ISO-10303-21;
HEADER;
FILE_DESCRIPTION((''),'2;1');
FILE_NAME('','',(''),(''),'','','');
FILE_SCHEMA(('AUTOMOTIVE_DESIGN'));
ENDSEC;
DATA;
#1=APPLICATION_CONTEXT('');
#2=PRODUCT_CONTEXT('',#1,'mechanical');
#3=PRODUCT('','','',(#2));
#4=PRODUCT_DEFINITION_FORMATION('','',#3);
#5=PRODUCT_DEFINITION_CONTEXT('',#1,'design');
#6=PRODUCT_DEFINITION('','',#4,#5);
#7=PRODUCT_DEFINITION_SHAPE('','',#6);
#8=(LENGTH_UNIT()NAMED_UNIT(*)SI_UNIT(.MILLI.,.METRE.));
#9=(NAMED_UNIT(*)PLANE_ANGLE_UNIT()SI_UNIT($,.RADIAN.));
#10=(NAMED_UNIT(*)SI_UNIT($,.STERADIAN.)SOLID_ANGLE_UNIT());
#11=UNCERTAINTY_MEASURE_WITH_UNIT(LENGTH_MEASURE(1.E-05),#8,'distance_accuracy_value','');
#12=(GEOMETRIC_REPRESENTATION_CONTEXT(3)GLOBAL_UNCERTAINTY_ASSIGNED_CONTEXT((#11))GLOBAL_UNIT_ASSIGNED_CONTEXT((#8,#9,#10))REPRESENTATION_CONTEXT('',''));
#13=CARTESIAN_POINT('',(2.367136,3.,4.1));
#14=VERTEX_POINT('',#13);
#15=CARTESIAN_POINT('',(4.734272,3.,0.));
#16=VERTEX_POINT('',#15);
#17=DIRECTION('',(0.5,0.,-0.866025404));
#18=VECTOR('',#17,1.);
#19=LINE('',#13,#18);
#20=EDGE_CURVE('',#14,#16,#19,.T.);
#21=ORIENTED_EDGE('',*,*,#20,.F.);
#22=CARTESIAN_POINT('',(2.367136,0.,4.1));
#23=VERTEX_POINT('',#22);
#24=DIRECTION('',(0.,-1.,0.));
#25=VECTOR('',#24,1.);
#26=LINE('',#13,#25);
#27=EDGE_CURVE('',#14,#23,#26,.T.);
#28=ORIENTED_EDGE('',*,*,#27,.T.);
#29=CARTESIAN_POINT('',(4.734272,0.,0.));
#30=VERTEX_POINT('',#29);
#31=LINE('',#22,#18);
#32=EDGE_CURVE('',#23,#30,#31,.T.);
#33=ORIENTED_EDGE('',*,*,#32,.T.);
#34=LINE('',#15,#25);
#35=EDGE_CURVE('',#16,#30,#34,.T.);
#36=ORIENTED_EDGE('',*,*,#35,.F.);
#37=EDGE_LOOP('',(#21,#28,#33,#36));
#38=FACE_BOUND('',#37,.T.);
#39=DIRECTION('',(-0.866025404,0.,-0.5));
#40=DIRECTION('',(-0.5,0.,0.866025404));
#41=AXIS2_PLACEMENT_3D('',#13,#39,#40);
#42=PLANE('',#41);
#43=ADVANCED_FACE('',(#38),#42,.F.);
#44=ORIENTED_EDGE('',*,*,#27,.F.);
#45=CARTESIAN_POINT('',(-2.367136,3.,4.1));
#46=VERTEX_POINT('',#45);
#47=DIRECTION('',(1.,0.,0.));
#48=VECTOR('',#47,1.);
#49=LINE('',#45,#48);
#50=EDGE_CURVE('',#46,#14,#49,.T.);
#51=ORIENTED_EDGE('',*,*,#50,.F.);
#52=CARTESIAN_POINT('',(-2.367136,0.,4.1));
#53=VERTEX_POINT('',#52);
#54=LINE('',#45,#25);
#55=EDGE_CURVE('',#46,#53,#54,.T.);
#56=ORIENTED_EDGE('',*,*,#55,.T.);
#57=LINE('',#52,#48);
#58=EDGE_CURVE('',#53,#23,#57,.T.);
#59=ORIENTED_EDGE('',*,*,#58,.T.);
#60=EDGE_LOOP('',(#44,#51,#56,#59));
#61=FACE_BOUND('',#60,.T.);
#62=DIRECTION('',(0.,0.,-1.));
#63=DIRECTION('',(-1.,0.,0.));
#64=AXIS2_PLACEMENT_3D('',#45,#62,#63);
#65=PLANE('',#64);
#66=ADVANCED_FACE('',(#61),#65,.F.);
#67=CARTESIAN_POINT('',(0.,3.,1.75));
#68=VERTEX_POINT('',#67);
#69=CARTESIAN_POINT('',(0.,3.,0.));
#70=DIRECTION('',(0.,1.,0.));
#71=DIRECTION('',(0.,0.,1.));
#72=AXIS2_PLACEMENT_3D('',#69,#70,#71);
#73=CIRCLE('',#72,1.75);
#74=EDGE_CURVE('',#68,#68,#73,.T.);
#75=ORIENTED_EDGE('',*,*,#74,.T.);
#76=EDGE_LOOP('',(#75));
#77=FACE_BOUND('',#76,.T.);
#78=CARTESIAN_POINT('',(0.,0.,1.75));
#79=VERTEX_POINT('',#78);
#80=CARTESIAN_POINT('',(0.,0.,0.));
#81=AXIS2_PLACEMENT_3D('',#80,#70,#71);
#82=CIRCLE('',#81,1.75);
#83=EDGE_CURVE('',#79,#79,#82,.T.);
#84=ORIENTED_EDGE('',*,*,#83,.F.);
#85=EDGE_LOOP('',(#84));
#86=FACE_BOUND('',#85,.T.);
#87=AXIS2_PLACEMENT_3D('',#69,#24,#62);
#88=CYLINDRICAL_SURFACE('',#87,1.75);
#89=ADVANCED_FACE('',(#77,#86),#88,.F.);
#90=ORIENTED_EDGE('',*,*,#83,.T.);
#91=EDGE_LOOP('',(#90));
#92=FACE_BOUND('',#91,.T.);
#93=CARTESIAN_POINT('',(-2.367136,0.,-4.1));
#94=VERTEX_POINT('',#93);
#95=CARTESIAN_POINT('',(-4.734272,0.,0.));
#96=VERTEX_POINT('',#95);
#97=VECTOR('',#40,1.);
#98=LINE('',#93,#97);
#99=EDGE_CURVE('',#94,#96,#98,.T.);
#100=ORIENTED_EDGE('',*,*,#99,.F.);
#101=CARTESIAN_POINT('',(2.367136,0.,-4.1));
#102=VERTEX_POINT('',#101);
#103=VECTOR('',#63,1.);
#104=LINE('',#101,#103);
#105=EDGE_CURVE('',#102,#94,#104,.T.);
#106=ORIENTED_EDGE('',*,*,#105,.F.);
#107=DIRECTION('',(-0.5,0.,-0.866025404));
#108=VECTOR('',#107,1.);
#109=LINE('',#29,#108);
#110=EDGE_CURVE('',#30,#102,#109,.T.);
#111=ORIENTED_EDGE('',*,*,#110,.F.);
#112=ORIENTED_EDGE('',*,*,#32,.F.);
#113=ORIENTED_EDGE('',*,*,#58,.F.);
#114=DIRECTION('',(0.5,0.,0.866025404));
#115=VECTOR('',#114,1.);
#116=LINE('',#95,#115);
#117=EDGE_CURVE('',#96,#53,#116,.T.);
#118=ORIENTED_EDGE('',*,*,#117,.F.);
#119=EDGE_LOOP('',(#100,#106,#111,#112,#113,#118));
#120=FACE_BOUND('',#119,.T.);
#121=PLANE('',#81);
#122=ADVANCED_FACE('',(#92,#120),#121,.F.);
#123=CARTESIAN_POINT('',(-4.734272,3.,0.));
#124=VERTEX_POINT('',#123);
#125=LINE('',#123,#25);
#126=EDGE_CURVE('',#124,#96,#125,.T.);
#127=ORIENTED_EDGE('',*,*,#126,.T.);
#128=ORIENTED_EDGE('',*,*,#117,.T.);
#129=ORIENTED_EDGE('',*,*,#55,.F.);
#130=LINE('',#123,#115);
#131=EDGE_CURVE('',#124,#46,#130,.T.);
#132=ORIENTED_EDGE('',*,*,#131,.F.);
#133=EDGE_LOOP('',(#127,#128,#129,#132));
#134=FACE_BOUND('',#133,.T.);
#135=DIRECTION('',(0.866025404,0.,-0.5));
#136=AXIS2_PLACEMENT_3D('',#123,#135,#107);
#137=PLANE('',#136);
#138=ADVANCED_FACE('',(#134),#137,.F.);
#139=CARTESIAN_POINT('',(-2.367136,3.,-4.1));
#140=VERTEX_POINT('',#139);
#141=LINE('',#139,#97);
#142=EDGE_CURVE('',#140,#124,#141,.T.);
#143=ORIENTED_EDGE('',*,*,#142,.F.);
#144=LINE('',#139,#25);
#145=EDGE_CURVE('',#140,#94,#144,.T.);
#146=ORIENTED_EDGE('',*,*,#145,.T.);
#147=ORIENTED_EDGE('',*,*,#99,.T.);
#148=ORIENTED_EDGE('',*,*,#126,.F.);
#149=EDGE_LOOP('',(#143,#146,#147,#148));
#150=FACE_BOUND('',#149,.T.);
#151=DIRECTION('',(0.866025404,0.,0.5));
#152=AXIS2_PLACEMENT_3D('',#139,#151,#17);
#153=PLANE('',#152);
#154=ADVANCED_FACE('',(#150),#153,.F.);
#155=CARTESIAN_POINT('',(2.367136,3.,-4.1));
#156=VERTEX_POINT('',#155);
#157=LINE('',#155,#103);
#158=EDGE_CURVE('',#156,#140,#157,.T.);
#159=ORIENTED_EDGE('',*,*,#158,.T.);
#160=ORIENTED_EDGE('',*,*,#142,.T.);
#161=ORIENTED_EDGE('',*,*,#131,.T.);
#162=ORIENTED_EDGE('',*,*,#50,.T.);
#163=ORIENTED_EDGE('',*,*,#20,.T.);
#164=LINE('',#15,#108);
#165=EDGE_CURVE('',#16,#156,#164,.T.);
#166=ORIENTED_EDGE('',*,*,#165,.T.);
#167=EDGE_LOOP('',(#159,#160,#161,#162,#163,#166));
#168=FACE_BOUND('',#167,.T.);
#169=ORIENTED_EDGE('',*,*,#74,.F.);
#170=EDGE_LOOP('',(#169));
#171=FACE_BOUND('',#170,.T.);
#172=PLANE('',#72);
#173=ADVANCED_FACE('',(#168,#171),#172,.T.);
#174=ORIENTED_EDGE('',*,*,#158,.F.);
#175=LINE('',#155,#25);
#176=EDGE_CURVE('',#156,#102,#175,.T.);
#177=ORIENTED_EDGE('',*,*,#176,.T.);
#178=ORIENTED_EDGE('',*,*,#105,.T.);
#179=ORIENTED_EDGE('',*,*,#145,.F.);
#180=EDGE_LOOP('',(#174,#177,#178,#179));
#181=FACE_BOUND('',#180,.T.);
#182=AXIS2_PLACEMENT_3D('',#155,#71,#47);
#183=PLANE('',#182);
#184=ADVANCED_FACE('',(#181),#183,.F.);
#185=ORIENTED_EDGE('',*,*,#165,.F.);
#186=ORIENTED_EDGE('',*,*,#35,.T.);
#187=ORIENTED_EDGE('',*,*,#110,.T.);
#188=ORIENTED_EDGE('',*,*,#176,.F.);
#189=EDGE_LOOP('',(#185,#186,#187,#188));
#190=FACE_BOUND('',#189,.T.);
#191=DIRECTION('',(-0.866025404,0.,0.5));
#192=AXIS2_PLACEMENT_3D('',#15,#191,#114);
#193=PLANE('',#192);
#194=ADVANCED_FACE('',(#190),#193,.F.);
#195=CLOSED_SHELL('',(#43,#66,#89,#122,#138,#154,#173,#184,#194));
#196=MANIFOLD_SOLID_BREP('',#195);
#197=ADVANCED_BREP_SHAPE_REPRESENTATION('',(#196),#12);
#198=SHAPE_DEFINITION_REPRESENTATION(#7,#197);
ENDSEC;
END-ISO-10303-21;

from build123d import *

# Parameters (mm, degrees)
CROQUIS1_R              = 1.75
SALIENTE_EXTRUIR1_DEPTH = 3


with BuildPart() as part:
    # Croquis1 → Saliente-Extruir1 (new body)
    with BuildSketch(Plane(origin=(0, 0, 0), x_dir=(1, 0, 0), z_dir=(0, 1, 0))):
        Polygon((4.734272207, 0), (2.367136104, 4.1), (-2.367136104, 4.1), (-4.734272207, 0), (-2.367136104, -4.1), (2.367136104, -4.1), align=None)
        with Locations(Location((0, 0, 0), (0, 0, 270))):
            Circle(CROQUIS1_R, mode=Mode.SUBTRACT)
    extrude(amount=SALIENTE_EXTRUIR1_DEPTH)


solid = part.part
